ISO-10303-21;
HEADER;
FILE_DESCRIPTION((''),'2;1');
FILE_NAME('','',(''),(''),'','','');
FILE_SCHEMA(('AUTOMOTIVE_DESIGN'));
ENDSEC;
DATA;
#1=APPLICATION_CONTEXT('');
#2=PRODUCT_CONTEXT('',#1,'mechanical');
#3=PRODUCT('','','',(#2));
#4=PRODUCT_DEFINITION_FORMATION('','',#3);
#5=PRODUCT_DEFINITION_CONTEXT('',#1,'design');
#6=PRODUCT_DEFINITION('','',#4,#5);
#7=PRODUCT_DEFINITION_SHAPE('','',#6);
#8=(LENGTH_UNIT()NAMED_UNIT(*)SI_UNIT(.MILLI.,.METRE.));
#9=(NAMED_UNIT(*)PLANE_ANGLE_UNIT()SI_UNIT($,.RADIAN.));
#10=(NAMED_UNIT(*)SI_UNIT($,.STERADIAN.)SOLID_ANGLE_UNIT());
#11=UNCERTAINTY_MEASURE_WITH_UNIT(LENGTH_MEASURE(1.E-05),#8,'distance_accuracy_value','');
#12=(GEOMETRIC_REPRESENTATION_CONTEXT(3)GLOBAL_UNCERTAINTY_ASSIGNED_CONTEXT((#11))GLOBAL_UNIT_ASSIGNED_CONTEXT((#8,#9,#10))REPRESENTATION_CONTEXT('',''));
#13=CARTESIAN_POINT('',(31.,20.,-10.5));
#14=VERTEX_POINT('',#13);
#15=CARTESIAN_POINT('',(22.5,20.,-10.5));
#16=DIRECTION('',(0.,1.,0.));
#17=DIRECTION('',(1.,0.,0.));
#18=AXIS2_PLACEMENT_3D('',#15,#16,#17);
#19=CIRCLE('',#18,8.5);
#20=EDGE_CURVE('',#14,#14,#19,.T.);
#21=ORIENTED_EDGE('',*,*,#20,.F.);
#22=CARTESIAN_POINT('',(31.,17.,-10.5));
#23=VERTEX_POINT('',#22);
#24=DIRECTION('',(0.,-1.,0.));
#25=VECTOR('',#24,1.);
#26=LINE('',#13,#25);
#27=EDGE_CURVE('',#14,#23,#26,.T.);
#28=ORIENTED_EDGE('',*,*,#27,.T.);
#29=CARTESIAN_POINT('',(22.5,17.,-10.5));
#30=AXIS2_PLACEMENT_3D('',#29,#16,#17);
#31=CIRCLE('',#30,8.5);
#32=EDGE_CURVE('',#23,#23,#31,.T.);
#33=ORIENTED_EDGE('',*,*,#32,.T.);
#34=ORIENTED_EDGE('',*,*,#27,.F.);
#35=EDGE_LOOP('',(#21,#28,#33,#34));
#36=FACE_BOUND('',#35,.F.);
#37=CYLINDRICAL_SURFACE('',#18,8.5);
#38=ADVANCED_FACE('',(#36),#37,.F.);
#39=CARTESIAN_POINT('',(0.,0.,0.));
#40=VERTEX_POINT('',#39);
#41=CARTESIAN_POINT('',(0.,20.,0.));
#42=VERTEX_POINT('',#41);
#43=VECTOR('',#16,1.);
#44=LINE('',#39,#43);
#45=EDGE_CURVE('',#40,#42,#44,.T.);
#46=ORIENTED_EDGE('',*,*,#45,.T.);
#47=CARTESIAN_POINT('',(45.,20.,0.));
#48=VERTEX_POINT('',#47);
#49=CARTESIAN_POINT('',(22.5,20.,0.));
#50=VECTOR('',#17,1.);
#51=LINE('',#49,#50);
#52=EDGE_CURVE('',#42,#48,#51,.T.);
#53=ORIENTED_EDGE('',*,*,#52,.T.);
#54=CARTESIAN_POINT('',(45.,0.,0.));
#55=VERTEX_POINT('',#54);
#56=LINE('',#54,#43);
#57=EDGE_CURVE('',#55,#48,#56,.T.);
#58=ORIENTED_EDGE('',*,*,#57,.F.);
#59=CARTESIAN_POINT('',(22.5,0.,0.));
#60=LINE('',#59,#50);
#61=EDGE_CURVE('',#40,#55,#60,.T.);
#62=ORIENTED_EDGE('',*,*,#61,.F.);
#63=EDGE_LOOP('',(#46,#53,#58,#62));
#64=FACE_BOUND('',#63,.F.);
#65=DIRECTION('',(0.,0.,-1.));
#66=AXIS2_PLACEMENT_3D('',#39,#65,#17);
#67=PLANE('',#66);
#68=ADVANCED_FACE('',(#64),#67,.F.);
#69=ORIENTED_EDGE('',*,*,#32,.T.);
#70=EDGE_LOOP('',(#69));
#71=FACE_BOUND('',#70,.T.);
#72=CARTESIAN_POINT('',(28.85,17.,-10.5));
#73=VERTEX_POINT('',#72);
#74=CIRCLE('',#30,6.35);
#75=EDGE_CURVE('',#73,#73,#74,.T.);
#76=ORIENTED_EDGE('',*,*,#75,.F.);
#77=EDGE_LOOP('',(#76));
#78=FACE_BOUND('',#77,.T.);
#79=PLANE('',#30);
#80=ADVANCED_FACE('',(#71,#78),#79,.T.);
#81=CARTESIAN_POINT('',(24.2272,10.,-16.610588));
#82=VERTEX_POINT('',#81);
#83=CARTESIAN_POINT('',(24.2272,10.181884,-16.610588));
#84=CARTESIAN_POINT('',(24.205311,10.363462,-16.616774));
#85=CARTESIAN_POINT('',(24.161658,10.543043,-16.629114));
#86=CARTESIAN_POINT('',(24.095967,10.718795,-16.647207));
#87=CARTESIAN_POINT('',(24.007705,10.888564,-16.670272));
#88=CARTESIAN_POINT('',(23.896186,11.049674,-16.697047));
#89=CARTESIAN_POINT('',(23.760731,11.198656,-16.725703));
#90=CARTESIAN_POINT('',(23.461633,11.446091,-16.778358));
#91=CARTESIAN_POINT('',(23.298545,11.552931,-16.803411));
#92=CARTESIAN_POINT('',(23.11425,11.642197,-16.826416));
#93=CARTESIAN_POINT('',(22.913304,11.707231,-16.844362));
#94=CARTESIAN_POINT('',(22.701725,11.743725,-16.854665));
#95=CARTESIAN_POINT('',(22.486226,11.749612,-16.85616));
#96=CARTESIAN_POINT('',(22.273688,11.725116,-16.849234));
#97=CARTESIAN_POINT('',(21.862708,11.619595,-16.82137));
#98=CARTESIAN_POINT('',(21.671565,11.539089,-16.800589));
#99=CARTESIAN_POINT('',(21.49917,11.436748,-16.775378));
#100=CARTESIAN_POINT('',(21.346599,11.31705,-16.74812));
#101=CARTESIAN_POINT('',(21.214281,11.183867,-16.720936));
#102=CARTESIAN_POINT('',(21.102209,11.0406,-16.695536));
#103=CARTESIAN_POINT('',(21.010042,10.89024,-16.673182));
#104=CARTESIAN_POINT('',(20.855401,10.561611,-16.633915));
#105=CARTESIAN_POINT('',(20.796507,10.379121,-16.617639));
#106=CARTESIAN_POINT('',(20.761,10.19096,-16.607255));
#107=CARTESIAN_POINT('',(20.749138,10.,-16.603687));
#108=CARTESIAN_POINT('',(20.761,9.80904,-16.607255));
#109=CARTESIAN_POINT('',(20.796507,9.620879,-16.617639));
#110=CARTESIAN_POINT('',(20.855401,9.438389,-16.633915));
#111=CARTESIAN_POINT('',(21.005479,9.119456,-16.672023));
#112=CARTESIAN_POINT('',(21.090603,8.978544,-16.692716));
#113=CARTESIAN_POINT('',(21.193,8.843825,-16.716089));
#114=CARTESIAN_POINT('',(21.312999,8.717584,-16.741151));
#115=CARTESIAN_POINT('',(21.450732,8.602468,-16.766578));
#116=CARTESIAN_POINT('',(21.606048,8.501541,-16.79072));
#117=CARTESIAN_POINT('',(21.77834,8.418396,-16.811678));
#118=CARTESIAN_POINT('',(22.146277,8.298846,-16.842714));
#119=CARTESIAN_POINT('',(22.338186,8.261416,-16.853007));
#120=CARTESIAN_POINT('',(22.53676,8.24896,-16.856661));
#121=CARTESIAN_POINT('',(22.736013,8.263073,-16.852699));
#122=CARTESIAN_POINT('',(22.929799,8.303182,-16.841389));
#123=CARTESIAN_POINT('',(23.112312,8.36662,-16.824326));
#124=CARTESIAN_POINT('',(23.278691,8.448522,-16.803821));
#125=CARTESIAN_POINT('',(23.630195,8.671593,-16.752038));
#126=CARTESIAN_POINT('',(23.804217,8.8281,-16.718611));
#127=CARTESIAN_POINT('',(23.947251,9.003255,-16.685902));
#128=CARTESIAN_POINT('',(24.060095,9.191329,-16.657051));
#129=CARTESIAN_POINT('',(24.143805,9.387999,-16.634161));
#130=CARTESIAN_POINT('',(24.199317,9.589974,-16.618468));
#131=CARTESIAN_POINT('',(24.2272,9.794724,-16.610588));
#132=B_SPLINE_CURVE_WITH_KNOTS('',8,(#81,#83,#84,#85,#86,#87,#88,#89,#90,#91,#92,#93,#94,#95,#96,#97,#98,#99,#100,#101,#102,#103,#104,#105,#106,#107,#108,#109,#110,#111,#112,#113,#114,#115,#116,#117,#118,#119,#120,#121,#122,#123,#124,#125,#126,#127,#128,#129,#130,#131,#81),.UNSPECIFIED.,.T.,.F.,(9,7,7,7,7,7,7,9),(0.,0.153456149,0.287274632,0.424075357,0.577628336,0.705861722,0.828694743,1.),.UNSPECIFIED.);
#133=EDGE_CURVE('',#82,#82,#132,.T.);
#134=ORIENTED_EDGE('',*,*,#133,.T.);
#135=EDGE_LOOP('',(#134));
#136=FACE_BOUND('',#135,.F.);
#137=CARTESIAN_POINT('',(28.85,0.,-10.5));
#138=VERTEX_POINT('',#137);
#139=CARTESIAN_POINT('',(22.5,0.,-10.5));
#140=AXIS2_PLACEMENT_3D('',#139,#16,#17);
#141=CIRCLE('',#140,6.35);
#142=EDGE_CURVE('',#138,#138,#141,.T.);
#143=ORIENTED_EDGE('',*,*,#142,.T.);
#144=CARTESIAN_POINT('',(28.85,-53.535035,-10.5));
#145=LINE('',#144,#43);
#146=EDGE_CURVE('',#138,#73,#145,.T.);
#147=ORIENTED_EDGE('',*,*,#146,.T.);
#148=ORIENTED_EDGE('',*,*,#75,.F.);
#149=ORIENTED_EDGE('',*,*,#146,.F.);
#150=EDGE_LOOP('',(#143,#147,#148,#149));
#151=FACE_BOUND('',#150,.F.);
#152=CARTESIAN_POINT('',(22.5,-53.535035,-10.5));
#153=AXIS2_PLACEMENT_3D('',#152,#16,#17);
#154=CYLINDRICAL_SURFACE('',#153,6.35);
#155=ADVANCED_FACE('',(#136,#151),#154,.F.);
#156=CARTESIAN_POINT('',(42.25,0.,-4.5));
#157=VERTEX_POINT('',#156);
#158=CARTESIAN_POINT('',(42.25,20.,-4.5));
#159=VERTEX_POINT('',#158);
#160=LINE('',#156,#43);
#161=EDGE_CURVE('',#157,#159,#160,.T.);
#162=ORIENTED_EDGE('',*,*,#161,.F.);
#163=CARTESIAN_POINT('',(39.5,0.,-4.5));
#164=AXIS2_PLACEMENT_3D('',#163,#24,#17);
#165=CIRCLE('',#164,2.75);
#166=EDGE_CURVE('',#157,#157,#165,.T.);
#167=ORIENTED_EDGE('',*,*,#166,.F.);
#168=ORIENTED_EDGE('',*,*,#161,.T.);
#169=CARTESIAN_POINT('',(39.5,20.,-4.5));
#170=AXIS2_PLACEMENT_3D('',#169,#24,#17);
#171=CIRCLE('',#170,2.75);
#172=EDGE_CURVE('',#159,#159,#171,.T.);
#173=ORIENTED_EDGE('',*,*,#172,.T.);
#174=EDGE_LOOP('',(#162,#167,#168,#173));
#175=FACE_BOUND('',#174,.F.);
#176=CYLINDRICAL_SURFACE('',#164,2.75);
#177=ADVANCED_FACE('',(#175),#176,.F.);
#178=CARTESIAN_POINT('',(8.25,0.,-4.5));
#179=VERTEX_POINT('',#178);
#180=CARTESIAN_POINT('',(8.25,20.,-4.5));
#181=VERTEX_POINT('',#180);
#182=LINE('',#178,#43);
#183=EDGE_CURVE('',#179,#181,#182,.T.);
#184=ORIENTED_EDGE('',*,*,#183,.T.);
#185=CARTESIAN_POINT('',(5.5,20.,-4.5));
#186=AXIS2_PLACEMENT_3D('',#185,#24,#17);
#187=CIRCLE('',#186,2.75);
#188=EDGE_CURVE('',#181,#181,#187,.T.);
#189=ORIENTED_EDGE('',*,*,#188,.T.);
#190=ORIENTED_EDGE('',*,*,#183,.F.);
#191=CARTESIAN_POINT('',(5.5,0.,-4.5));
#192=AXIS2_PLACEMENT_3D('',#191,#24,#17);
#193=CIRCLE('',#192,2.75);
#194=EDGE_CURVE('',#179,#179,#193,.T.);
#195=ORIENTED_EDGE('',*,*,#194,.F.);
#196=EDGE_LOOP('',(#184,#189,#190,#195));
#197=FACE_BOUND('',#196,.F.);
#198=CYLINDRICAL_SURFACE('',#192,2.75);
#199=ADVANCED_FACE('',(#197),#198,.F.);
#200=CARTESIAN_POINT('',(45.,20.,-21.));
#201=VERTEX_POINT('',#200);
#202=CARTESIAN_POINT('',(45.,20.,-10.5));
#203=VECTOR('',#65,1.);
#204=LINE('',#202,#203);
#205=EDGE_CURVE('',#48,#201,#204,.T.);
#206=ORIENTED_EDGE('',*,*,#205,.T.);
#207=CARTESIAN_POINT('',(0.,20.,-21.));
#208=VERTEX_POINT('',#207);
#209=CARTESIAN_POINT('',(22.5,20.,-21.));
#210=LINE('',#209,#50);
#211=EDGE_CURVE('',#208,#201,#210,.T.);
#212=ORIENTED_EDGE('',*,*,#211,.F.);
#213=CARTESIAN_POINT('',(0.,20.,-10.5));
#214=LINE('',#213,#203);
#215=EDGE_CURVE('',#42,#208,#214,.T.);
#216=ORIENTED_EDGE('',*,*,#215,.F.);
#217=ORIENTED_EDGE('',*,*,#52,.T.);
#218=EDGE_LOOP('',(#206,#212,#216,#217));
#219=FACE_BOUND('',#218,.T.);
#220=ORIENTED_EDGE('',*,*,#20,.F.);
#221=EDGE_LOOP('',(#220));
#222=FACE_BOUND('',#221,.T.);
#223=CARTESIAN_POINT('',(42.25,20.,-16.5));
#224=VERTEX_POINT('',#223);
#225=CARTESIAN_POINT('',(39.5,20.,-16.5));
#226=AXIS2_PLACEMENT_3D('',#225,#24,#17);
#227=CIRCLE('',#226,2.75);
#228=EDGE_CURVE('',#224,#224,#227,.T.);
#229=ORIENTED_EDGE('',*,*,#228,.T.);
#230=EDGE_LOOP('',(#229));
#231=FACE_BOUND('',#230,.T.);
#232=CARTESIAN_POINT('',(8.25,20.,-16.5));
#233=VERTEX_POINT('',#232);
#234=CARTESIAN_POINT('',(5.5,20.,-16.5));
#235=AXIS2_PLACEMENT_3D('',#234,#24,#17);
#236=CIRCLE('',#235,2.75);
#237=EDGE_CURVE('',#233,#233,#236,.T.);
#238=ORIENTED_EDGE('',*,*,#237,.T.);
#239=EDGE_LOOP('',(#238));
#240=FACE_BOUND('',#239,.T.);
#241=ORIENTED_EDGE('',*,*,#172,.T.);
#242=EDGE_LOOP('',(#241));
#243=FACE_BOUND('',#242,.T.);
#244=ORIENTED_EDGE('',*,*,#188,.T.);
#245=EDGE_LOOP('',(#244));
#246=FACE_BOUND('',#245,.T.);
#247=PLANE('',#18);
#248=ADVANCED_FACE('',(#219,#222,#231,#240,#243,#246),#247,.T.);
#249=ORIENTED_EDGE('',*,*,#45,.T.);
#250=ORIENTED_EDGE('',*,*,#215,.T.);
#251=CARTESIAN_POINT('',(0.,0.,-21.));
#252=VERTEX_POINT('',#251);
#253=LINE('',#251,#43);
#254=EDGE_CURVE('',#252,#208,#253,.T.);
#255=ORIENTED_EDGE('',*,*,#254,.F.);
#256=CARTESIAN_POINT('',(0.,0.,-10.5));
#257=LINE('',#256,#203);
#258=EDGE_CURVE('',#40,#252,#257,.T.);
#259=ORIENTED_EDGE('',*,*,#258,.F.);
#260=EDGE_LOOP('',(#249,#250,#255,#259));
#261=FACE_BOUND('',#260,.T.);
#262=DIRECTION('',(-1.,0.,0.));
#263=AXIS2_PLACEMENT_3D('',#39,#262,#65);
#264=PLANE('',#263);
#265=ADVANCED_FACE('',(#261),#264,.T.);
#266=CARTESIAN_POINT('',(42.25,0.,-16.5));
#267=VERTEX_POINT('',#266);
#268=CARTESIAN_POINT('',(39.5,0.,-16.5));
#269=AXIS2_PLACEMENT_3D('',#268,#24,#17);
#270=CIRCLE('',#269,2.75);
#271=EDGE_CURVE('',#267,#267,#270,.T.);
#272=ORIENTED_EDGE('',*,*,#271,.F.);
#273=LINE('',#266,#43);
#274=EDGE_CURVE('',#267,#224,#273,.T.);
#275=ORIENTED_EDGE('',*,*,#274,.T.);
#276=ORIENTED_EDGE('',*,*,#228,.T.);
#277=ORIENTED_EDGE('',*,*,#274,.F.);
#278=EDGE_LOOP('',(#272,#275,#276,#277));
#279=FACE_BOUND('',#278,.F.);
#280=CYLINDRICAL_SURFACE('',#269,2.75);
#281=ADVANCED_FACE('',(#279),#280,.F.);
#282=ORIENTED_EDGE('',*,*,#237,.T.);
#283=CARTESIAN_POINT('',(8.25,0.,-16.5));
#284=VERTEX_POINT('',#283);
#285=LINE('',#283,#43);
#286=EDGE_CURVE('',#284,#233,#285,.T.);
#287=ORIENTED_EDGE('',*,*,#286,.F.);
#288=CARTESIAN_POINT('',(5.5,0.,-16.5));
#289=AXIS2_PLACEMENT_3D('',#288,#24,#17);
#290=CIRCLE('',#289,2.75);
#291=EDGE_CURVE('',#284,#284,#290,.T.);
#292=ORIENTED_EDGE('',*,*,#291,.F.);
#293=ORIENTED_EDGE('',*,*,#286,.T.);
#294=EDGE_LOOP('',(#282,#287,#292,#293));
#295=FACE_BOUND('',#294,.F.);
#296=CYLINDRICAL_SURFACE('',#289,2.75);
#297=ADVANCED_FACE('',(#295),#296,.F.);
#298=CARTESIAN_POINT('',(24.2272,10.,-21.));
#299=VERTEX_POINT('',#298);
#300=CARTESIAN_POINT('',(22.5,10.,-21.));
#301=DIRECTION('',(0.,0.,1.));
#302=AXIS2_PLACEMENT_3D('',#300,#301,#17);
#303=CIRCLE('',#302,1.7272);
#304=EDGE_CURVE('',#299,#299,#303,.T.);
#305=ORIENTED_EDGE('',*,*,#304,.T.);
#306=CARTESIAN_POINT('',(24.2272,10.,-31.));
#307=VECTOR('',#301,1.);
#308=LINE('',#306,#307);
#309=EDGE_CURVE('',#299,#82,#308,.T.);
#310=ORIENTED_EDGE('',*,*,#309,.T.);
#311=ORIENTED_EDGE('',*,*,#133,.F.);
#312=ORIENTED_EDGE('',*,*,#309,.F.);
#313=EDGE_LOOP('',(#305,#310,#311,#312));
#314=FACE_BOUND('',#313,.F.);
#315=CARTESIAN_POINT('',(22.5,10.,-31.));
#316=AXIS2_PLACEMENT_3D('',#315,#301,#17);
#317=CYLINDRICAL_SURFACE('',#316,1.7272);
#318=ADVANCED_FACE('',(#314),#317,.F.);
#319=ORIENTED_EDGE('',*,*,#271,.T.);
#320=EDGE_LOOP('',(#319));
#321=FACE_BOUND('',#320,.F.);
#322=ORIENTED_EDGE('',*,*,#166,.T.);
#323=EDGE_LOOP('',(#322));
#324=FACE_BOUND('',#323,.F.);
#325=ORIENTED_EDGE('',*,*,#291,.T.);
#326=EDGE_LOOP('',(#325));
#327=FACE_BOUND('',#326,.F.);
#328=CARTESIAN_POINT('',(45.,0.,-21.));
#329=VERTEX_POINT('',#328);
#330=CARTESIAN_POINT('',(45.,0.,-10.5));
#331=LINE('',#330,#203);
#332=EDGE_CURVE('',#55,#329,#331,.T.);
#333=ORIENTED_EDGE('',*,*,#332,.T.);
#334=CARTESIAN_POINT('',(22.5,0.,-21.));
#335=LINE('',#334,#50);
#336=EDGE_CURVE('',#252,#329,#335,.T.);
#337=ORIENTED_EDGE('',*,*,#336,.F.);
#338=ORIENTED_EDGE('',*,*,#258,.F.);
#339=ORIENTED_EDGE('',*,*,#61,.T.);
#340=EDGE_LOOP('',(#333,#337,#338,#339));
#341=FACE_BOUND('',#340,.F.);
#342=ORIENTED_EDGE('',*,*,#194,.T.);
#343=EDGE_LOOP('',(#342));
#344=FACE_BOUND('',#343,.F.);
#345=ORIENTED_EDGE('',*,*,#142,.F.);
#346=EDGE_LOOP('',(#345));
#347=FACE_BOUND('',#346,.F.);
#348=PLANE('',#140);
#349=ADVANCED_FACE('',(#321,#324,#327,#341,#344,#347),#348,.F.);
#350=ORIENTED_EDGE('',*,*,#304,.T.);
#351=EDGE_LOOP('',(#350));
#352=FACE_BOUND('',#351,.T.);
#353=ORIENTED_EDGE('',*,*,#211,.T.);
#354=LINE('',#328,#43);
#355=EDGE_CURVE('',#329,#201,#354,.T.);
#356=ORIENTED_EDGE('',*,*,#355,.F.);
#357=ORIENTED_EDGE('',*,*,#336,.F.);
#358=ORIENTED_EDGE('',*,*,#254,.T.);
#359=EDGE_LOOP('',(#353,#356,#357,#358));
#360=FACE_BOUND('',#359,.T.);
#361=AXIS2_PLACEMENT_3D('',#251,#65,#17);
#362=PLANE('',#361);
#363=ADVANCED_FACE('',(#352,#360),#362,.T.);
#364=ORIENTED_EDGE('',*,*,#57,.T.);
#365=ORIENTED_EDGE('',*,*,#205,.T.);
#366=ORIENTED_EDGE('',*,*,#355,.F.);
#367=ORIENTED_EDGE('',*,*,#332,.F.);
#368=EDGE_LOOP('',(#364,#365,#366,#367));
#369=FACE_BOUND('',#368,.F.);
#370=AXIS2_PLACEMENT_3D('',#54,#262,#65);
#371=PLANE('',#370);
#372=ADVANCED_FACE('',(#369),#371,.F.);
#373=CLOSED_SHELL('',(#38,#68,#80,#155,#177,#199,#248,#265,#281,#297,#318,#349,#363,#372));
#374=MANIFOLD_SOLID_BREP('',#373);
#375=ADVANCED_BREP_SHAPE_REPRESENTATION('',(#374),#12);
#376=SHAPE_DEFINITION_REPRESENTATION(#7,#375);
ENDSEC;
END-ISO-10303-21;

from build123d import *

# Parameters (mm, degrees)
SKETCH1_W                 = 45
SKETCH1_H                 = 21
BOSS_EXTRUDE1_DEPTH       = 20
SKETCH2_R                 = 2.75
ALIGNMENTHOLES_DEPTH      = 21
SKETCH4_R                 = 8.5
PIEZOCUT_DEPTH            = 3
F_0_535_40_TAPPED_HOLE1_D = 12.7
F_8_32_TAPPED_HOLE2_D     = 3.4544
F_8_32_TAPPED_HOLE2_DEPTH = 10
F_8_32_TAPPED_HOLE2_TIP   = 1.037806461


with BuildPart() as part:
    # Sketch1 → Boss-Extrude1 (new body)
    with BuildSketch(Plane(origin=(0, 0, 0), x_dir=(1, 0, 0), z_dir=(0, 1, 0))):
        with Locations((22.5, 10.5)):
            Rectangle(SKETCH1_W, SKETCH1_H)
    extrude(amount=BOSS_EXTRUDE1_DEPTH)

    # Sketch2 → AlignmentHoles (cut, through all)
    with BuildSketch(Plane.XZ):
        with Locations((39.5, -16.5)):
            Circle(SKETCH2_R)
        with Locations((39.5, -4.5)):
            Circle(SKETCH2_R)
        with Locations((5.5, -16.5)):
            Circle(SKETCH2_R)
        with Locations((5.5, -4.5)):
            Circle(SKETCH2_R)
    extrude(amount=-ALIGNMENTHOLES_DEPTH, mode=Mode.SUBTRACT)

    # Sketch4 → PiezoCut (cut)
    with BuildSketch(Plane(origin=(0, 20, 0), x_dir=(1, 0, 0), z_dir=(0, 1, 0))):
        with Locations((22.5, 10.5)):
            Circle(SKETCH4_R)
    extrude(amount=-PIEZOCUT_DEPTH, mode=Mode.SUBTRACT)

    # 0.535-40 Tapped Hole1 (through all)
    with Locations(Plane(origin=(0, 0, 0), x_dir=(-1, 0, 0), z_dir=(0, -1, 0))):
        with Locations((-22.5, 10.5)):
            Hole(F_0_535_40_TAPPED_HOLE1_D / 2)

    # #8-32 Tapped Hole2
    with Locations(Plane(origin=(0, 0, -21), x_dir=(-1, 0, 0), z_dir=(0, 0, -1))):
        with Locations((-22.5, 10)):
            Hole(F_8_32_TAPPED_HOLE2_D / 2, depth=F_8_32_TAPPED_HOLE2_DEPTH)
            with Locations((0, 0, -(F_8_32_TAPPED_HOLE2_DEPTH + F_8_32_TAPPED_HOLE2_TIP / 2))):  # 118° drill point
                Cone(0, F_8_32_TAPPED_HOLE2_D / 2, F_8_32_TAPPED_HOLE2_TIP, mode=Mode.SUBTRACT)


solid = part.part
